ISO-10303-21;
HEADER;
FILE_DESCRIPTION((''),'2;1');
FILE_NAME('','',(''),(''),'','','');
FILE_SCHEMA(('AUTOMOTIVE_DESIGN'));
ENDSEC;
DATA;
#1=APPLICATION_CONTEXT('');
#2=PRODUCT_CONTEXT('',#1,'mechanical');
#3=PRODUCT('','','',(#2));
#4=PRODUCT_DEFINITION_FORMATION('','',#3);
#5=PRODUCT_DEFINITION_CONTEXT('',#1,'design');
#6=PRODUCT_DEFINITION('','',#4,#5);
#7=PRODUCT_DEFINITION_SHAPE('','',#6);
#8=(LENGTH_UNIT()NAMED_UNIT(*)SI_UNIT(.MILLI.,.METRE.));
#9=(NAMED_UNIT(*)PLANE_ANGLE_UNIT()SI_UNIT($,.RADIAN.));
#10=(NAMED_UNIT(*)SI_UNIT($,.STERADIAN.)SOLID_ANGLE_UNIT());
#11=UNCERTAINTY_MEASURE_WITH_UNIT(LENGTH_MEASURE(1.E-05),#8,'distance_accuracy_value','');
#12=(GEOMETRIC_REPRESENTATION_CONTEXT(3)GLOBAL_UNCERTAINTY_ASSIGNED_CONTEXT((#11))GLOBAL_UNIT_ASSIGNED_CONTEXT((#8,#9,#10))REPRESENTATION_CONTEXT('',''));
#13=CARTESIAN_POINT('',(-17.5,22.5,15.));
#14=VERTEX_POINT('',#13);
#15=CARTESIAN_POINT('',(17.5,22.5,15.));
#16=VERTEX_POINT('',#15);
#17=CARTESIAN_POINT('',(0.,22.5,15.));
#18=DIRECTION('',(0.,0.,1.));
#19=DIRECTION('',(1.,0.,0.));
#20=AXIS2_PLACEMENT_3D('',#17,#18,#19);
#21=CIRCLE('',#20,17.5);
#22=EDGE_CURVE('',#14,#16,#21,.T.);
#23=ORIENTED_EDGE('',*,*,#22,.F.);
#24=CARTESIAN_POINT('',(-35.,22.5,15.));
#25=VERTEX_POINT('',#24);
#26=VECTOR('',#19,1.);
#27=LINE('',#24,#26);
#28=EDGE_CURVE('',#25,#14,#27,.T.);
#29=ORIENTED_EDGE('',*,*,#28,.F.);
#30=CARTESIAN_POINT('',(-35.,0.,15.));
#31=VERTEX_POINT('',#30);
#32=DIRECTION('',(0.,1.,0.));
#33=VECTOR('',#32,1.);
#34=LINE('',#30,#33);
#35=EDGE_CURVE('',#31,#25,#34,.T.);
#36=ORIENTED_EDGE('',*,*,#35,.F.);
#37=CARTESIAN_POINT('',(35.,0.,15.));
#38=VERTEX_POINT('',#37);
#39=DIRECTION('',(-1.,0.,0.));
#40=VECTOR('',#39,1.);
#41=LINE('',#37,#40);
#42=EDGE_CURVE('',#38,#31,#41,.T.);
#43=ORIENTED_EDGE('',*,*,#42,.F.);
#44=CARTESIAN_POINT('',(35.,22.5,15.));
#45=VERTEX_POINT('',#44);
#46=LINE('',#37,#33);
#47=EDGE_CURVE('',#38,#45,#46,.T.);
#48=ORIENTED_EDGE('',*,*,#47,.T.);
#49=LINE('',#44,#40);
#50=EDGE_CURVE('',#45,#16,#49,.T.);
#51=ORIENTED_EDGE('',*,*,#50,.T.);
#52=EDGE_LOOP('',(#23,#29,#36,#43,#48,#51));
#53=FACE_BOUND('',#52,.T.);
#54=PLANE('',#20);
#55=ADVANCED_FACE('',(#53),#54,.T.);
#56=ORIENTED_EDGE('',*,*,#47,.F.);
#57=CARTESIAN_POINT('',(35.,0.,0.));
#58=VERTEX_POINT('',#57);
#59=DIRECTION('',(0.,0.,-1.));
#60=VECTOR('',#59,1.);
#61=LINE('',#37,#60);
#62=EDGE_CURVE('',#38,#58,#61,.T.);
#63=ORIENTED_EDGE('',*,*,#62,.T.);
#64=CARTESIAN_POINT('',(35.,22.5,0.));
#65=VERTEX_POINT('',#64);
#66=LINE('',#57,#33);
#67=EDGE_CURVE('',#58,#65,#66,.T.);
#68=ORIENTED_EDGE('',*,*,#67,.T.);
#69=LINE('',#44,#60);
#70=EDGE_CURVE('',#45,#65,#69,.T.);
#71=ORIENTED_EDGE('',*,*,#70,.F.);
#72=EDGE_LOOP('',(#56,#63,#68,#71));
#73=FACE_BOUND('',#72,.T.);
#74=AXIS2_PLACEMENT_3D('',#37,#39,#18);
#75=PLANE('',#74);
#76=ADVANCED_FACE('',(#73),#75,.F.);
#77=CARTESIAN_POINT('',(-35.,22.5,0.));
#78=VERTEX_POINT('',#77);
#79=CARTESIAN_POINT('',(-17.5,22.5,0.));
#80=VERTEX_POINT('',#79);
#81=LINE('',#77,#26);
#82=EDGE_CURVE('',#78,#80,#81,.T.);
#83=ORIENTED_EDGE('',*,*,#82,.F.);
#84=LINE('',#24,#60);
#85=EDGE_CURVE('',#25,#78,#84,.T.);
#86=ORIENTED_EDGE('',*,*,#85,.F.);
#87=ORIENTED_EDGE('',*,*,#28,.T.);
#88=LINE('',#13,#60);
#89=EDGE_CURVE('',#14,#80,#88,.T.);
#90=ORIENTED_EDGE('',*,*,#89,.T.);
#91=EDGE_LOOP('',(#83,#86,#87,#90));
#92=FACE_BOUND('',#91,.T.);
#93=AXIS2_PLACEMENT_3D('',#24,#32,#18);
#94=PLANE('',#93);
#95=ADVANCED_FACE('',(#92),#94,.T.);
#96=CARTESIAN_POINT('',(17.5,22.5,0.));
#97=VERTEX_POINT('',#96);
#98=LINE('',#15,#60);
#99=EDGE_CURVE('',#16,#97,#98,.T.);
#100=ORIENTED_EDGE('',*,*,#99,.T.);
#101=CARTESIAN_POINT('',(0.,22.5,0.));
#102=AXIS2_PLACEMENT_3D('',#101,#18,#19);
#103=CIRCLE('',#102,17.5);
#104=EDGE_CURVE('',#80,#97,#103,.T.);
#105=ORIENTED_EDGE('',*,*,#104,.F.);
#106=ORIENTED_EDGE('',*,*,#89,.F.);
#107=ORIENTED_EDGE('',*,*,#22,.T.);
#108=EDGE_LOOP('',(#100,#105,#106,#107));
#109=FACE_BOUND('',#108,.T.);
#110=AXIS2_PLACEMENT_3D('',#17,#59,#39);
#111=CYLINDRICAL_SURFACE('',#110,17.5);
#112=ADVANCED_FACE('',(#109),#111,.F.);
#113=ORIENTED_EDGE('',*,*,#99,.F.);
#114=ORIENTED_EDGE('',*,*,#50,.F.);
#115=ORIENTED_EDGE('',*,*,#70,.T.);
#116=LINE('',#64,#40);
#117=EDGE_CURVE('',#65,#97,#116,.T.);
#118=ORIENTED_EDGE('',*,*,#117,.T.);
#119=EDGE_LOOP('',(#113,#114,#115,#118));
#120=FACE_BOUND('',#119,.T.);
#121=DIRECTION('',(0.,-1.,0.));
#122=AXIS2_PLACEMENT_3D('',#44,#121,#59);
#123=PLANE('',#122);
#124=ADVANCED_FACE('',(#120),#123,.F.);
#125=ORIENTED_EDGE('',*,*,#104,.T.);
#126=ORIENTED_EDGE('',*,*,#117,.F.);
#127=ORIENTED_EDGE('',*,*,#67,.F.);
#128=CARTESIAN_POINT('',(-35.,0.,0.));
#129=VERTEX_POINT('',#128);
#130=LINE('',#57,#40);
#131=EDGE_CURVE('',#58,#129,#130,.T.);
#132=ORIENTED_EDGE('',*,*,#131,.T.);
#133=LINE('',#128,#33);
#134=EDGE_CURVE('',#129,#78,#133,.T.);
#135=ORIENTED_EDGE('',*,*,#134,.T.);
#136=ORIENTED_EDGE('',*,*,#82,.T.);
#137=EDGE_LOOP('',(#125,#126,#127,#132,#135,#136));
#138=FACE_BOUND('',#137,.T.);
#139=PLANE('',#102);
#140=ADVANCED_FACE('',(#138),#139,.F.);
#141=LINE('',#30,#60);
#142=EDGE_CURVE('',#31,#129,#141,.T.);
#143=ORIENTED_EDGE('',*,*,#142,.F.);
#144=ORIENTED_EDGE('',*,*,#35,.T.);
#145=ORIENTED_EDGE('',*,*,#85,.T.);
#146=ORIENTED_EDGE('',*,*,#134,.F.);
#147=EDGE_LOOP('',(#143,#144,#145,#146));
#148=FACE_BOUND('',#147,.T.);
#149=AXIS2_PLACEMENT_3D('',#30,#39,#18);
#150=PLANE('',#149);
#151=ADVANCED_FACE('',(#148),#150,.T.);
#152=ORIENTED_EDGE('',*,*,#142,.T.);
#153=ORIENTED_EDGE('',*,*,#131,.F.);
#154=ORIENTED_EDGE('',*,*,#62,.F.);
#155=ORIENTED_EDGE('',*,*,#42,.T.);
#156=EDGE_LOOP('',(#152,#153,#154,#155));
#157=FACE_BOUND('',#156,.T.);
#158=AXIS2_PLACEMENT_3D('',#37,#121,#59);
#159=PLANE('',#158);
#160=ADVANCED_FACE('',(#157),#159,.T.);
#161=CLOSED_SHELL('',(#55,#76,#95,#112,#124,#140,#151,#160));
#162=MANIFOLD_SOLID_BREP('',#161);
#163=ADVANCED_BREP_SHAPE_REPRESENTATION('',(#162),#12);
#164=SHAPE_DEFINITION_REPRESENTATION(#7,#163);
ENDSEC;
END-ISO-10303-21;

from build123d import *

# Parameters (mm, degrees)
BOSS_EXTRUDE1_DEPTH = 15
SKETCH5_R           = 5
BOSS_EXTRUDE4_DEPTH = 22.5


with BuildPart() as part:
    # profiil → Boss-Extrude1 (new body)
    with BuildSketch(Plane.XY):
        with BuildLine():
            Line((35, 22.5), (17.5, 22.5))
            ThreePointArc((17.5, 22.5), (0, 5), (-17.5, 22.5))
            Line((-17.5, 22.5), (-35, 22.5))
            Line((-35, 22.5), (-35, 0))
            Line((-35, 0), (35, 0))
            Line((35, 0), (35, 22.5))
        make_face()
    extrude(amount=BOSS_EXTRUDE1_DEPTH)

    # Sketch5 → Boss-Extrude4 (add, through all)
    with BuildSketch(Plane(origin=(0, 0, 0), x_dir=(1, 0, 0), z_dir=(0, 1, 0))):
        with Locations((-25, -7.5)):
            Circle(SKETCH5_R)
        with Locations((25, -7.5)):
            Circle(SKETCH5_R)
    extrude(amount=BOSS_EXTRUDE4_DEPTH)


solid = part.part
